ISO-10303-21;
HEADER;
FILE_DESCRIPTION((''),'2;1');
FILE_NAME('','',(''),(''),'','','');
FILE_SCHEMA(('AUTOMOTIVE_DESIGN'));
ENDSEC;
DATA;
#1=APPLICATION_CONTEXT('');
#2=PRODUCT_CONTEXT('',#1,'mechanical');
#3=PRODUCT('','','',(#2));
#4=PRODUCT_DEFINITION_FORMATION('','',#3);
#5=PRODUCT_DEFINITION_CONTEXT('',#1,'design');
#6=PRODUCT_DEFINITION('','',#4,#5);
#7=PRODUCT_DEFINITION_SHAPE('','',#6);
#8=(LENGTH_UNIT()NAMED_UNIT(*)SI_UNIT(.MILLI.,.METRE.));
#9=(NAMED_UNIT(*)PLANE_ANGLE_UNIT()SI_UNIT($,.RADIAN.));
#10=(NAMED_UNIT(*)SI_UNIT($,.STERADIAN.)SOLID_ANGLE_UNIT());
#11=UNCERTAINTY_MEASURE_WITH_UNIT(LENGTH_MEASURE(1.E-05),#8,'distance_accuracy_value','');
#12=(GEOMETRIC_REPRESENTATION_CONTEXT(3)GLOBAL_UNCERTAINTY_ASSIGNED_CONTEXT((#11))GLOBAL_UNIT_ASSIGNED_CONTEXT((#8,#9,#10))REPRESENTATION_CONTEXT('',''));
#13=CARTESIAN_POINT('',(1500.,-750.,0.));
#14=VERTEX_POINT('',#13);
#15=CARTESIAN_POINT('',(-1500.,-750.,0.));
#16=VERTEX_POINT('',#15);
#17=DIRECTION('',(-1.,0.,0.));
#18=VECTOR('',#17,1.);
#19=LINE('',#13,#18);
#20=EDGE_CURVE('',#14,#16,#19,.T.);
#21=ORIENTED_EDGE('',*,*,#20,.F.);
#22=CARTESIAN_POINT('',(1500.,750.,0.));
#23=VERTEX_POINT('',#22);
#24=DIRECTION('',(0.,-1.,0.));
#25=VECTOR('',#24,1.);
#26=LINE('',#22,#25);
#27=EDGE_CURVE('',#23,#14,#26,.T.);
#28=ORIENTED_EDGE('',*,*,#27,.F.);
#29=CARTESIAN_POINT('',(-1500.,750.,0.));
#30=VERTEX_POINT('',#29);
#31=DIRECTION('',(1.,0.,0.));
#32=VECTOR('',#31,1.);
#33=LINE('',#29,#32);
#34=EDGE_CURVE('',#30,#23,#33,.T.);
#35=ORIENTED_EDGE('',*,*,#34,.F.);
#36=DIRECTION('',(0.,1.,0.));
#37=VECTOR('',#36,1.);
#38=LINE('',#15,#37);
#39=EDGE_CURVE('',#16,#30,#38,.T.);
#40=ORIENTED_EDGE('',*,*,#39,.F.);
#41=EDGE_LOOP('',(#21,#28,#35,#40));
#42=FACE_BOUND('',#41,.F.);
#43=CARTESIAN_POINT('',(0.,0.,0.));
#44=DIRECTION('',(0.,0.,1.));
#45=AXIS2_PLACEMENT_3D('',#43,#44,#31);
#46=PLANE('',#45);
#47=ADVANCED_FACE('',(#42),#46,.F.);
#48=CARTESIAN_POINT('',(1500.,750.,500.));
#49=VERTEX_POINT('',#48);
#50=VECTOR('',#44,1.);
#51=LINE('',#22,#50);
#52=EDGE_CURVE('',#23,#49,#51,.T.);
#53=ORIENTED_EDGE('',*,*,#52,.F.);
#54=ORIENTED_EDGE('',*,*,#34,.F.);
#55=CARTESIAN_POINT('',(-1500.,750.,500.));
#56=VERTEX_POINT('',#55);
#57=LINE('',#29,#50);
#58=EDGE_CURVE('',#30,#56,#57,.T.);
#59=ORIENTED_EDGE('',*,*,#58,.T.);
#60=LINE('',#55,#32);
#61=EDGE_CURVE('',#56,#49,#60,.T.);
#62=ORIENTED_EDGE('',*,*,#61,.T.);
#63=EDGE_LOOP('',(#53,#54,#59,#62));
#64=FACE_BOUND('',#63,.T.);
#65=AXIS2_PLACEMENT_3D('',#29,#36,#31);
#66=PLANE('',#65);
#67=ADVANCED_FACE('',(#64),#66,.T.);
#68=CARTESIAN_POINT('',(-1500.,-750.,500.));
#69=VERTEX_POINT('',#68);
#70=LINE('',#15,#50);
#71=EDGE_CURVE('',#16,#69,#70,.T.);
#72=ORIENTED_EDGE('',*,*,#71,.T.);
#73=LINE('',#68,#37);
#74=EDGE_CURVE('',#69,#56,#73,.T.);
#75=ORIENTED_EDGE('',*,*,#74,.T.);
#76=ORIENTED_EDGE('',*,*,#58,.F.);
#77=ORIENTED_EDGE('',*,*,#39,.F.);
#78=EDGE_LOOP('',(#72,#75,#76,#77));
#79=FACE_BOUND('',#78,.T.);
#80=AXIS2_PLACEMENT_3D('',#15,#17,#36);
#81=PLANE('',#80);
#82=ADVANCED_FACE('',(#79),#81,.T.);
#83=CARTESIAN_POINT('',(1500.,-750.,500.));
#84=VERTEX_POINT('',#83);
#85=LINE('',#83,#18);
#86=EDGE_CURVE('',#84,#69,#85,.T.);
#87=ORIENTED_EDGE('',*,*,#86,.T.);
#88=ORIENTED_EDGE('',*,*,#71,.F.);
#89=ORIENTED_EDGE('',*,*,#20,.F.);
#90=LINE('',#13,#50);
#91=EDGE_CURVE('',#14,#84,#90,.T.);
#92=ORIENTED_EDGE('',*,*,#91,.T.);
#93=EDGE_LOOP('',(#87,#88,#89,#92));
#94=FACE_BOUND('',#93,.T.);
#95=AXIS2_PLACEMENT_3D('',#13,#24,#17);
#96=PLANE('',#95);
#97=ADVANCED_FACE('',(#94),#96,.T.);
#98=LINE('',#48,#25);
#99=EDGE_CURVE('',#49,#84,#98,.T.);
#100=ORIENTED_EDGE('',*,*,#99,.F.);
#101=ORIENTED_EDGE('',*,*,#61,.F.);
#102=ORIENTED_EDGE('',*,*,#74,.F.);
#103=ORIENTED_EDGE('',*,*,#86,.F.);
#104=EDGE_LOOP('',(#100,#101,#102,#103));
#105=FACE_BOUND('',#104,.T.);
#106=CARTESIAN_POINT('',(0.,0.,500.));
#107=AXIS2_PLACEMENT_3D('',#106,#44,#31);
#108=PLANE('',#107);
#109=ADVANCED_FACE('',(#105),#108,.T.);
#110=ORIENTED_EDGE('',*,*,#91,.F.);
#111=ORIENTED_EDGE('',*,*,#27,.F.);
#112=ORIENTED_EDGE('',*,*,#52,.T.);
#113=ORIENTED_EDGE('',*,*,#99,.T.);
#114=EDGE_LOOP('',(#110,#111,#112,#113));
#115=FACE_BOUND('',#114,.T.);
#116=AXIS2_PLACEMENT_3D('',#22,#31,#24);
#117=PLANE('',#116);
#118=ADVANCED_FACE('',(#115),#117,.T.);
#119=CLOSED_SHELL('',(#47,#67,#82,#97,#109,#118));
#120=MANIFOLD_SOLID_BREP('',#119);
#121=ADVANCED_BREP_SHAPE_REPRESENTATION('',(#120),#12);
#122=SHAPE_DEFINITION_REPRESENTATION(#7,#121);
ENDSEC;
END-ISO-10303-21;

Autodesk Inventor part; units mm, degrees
ref_plane "YZ Plane" through (0, 0, 0) normal (1, 0, 0) x (0, 1, 0)
ref_plane "XZ Plane" through (0, 0, 0) normal (0, 1, 0) x (-1, 0, 0)
ref_plane "XY Plane" through (0, 0, 0) normal (0, 0, 1) x (1, 0, 0)
sketch "Sketch1" plane through (0, 0, 0) normal (0, 0, 1) x (1, 0, 0)
  line L0 (-1500, 750) -> (1500, 750)
  line L1 (1500, 750) -> (1500, -750)
  line L2 (1500, -750) -> (-1500, -750)
  line L3 (-1500, -750) -> (-1500, 750)
  line L4 (-1500, 750) -> (1500, -750) construction
  line L5 (1500, 750) -> (-1500, -750) construction
  point P0 (0, 0)
  dimension "d0" = 3000
  dimension "d1" = 1500
extrude "Extrusion1" add sketch "Sketch1" along normal blind 500
properties part number "pallet dummy"
